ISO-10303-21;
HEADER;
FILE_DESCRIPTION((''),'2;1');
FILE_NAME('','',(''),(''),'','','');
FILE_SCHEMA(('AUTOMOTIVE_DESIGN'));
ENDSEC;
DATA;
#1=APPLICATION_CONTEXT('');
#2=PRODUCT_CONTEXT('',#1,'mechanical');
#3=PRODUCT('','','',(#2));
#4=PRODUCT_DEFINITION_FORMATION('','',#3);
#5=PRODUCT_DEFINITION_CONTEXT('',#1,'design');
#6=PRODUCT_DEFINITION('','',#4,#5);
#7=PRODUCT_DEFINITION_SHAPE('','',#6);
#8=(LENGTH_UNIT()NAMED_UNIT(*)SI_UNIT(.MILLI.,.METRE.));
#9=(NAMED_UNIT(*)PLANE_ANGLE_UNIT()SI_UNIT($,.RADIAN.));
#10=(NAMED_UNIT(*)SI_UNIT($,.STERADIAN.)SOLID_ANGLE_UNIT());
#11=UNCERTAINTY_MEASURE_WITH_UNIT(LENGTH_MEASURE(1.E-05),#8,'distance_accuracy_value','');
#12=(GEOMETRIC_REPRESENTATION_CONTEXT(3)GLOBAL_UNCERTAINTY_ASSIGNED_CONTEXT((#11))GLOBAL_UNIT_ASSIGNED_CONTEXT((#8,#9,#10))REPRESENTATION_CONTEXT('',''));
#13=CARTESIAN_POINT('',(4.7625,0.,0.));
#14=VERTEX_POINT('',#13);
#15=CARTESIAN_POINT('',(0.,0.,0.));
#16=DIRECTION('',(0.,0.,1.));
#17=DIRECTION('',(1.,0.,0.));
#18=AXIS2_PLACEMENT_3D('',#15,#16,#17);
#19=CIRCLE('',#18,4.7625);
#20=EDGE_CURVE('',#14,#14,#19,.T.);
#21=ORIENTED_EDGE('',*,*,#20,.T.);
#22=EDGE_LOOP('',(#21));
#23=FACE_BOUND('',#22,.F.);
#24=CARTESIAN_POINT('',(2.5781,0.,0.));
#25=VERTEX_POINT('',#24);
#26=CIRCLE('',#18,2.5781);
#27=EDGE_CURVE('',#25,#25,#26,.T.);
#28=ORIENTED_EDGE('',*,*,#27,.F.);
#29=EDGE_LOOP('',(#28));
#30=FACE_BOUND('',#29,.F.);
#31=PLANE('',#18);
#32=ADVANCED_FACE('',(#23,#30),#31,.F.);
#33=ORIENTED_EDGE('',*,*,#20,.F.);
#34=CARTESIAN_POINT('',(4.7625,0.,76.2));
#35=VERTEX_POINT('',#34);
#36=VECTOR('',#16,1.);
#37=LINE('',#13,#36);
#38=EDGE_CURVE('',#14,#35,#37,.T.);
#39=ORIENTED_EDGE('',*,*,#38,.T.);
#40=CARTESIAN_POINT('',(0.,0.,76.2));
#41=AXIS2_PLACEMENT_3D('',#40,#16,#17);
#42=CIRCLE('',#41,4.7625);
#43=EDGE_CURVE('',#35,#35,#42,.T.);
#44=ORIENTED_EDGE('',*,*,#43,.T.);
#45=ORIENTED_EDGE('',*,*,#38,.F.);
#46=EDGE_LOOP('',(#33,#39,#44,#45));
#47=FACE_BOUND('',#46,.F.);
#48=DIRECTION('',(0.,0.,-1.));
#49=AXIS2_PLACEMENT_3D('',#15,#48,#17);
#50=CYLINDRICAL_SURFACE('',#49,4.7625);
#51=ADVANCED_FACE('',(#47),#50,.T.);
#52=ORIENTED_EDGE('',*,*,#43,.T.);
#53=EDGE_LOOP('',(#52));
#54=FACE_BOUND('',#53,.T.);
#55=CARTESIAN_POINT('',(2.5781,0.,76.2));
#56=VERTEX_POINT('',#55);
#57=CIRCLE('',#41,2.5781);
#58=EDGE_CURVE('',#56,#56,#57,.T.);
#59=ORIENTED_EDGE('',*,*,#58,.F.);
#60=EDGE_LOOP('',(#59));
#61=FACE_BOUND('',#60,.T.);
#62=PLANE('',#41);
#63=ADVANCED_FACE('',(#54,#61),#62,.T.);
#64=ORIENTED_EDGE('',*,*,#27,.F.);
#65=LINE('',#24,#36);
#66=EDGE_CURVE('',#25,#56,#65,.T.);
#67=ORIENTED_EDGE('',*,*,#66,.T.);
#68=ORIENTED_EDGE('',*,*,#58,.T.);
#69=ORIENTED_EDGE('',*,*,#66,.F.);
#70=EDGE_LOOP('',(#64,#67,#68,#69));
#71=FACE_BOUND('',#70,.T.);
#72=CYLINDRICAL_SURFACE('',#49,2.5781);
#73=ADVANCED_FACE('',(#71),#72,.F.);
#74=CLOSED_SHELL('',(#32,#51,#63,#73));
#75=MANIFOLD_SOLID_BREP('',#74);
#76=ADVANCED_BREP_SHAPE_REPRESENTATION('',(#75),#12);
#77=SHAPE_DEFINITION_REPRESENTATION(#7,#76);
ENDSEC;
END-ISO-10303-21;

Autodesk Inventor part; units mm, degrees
ref_plane "YZ Plane" through (0, 0, 0) normal (1, 0, 0) x (0, 1, 0)
ref_plane "XZ Plane" through (0, 0, 0) normal (0, 1, 0) x (-1, 0, 0)
ref_plane "XY Plane" through (0, 0, 0) normal (0, 0, 1) x (1, 0, 0)
sketch "Sketch1" plane through (0, 0, 0) normal (0, 0, 1) x (1, 0, 0)
  circle A0 centre (0, 0) radius 2.5781
  circle A1 centre (0, 0) radius 4.7625
  dimension "d0" = 5.1562
  dimension "d1" = 9.525
extrude "Extrusion1" add sketch "Sketch1" along normal blind 76.2
properties part number "Spacer3_8x2"
